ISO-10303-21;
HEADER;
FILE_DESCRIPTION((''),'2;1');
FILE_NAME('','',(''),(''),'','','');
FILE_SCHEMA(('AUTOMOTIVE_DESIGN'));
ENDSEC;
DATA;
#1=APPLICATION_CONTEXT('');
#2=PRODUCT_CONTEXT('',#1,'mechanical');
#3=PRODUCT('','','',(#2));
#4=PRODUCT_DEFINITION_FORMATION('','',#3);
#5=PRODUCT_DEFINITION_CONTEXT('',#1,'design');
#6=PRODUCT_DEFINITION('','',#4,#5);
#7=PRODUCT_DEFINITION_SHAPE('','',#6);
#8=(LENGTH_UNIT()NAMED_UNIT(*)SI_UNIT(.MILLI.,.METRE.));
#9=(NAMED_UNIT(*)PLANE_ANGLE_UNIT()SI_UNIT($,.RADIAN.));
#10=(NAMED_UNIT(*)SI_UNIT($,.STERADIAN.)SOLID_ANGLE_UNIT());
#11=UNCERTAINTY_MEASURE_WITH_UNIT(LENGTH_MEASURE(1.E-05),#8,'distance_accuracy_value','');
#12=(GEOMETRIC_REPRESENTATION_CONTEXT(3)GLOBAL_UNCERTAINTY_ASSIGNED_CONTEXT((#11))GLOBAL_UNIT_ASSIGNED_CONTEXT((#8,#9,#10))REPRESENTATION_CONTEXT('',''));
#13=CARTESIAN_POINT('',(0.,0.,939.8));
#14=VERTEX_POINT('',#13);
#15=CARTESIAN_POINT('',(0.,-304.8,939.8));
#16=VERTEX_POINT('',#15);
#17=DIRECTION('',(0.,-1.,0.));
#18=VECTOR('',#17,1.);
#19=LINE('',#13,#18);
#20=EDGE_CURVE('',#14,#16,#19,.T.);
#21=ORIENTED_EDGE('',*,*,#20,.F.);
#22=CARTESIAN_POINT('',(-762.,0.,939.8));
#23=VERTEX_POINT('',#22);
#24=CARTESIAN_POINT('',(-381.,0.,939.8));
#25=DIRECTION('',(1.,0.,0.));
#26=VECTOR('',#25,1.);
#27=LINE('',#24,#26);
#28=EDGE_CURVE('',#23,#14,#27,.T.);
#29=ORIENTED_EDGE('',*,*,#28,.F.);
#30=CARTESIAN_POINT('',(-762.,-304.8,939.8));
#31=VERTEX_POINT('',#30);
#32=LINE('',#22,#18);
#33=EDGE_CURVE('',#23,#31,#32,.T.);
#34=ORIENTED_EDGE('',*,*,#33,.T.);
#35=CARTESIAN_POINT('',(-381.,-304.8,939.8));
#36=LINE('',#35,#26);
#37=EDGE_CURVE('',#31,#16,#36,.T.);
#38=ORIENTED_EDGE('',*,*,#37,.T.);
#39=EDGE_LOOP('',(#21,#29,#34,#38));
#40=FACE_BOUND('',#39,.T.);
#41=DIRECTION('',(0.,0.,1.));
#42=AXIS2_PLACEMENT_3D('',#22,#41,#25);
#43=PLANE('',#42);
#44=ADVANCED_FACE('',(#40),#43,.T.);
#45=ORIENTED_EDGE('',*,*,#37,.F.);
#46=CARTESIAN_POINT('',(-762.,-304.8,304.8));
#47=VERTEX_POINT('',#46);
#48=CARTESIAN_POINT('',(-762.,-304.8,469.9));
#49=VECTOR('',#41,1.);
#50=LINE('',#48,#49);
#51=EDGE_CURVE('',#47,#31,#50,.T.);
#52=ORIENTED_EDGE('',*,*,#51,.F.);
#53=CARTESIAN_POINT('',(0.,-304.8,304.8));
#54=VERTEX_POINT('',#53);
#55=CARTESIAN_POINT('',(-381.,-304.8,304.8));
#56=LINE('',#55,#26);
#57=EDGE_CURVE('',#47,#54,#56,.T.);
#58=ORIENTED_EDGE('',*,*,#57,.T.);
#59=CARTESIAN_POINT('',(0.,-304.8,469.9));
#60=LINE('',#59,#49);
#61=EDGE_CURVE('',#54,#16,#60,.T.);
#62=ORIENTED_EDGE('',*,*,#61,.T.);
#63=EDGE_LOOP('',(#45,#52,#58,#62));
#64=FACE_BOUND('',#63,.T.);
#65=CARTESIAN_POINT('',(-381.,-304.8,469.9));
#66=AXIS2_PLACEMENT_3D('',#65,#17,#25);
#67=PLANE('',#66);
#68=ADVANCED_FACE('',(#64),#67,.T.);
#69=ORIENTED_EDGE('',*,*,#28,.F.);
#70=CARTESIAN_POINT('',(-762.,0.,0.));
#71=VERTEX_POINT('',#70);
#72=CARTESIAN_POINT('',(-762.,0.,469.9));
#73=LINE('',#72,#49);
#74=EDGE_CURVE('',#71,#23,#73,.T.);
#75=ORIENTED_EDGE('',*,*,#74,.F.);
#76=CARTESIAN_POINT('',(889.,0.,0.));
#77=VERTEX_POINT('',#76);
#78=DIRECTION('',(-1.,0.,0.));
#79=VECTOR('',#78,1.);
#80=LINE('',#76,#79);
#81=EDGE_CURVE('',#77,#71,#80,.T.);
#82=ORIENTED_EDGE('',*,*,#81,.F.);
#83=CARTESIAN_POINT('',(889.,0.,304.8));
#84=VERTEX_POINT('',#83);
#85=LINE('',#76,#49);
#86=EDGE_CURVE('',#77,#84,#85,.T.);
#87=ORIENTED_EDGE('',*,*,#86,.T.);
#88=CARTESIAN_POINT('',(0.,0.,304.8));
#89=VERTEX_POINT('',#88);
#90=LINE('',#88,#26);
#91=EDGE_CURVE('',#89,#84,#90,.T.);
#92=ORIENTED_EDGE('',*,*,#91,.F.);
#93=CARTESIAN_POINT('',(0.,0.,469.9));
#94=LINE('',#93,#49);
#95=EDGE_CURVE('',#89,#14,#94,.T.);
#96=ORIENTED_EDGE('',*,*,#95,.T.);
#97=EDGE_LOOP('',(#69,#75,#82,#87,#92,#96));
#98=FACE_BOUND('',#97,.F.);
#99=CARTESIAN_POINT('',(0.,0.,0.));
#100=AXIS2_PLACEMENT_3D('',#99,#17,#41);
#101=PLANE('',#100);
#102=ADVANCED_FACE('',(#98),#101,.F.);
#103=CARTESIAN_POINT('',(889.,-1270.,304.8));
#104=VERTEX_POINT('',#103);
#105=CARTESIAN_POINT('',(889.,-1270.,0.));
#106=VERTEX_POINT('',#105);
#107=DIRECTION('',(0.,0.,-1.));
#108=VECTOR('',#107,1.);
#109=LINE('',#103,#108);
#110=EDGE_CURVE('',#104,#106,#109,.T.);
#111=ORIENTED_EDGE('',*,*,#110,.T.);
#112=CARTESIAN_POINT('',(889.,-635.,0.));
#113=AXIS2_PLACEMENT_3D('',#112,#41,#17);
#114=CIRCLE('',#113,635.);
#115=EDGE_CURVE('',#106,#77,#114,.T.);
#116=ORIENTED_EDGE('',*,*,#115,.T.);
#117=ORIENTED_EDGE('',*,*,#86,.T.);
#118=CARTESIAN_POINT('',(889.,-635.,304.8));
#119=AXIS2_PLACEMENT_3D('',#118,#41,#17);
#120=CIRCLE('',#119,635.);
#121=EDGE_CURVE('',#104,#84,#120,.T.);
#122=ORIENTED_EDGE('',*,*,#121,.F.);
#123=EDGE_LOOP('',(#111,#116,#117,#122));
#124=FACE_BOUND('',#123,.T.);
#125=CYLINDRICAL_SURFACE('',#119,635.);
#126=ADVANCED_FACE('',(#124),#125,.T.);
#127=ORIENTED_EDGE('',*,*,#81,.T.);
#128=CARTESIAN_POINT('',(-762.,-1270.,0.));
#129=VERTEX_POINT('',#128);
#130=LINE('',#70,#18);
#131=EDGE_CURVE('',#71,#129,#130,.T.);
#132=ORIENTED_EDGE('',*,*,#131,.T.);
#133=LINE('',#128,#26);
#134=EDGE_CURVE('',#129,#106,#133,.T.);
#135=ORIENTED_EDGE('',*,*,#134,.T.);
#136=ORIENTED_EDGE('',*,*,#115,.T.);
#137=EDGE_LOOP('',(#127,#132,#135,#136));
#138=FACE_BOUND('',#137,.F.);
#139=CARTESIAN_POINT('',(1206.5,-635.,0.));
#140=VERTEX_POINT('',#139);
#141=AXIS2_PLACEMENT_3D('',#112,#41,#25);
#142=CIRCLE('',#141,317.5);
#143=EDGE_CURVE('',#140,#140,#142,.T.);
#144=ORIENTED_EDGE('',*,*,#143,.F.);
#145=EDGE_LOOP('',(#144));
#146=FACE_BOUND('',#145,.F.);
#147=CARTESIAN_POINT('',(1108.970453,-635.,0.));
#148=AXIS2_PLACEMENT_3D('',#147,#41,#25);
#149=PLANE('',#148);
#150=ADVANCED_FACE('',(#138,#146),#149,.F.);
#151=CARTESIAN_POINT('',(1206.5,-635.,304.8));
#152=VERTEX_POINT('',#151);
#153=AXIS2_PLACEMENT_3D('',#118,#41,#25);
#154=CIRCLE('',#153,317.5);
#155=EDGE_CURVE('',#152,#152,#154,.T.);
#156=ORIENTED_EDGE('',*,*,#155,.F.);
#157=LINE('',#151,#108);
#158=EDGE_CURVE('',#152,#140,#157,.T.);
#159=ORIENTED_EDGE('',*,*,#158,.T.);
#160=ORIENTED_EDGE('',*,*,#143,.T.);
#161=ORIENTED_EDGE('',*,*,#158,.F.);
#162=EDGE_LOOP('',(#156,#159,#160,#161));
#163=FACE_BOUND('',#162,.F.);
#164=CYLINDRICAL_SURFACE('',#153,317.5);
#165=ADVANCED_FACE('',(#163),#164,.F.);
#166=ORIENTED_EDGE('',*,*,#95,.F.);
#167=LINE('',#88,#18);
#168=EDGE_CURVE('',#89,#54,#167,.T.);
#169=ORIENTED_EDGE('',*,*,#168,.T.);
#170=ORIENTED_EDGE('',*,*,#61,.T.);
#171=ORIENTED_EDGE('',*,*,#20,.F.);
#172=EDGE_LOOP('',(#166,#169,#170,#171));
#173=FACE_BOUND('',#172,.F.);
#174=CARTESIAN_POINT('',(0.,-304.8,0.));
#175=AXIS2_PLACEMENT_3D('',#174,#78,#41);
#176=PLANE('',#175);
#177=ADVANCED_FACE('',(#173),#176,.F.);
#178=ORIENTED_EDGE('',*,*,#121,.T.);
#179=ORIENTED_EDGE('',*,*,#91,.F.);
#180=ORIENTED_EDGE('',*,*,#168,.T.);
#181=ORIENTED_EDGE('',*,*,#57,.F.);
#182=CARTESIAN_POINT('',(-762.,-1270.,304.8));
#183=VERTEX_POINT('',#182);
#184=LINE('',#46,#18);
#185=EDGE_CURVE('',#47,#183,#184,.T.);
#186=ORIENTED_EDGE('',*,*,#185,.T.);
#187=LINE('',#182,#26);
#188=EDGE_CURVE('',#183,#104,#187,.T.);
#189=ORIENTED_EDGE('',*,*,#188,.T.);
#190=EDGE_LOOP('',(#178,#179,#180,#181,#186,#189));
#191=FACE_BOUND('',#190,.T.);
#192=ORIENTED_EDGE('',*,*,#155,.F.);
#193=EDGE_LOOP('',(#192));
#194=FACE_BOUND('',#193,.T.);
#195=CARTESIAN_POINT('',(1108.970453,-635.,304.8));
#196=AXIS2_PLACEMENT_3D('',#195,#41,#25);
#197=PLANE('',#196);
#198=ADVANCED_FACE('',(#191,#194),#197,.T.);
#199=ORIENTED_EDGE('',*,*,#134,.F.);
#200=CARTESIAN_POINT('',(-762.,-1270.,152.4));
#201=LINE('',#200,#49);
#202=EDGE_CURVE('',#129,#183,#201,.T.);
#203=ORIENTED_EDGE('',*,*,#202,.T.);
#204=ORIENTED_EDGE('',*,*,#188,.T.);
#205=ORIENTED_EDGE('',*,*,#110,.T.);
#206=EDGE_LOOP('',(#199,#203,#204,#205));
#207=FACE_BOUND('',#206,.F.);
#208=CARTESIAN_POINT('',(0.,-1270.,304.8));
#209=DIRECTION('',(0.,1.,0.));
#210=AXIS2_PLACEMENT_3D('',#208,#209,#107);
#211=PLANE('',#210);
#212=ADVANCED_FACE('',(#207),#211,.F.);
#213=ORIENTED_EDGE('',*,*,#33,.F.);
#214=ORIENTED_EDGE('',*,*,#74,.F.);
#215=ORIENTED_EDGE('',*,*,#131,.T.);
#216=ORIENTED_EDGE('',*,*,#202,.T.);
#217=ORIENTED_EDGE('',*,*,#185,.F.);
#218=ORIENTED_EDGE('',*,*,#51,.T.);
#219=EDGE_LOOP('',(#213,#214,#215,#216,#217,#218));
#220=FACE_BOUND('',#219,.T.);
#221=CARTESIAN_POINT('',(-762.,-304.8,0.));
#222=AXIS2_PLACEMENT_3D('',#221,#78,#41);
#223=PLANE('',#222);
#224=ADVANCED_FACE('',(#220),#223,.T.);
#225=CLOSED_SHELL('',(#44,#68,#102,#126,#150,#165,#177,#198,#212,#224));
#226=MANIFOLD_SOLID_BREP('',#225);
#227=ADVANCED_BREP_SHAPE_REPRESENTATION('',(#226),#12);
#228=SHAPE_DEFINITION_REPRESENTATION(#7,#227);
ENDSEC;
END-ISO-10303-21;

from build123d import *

# Parameters (mm, degrees)
F0_W     = 762
F0_H     = 939.8
F1_DEPTH = 304.8
F2_W     = 762
F2_H     = 304.8
F3_DEPTH = 965.2
F5_DEPTH = 889
F7_DEPTH = 304.8
F8_R     = 317.5
F9_DEPTH = 15240


with BuildPart() as f1:
    # F0 (on Front) → F1 (new body)
    with BuildSketch(Plane.XZ):
        with Locations((-381, 469.9)):
            Rectangle(F0_W, F0_H)
    extrude(amount=F1_DEPTH)

    # F2 (on face) → F3 (join)
    with BuildSketch(Plane.XZ.offset(304.8)):
        with Locations((-381, 152.4)):
            Rectangle(F2_W, F2_H)
    extrude(amount=F3_DEPTH)

    # F4 (on face) → F5 (join)
    with BuildSketch(Plane.YZ):
        Polygon((0, 304.8), (-304.8, 304.8), (-1270, 304.8), (-1270, 0), (0, 0), align=None)
    extrude(amount=F5_DEPTH)

    # F6 (on face) → F7 (join)
    with BuildSketch(Plane.XY.offset(304.8)):
        with BuildLine():
            ThreePointArc((889, -1270), (1338.0128060535, -1084.0128060535), (1524, -635))
            ThreePointArc((1524, -635), (1338.0128060535, -185.9871939465), (889, 0))
            Line((889, 0), (889, -1270))
        make_face()
    extrude(amount=-F7_DEPTH)

    # F8 (on face) → F9 (cut)
    with BuildSketch(Plane.XY.offset(304.8)):
        with Locations((889, -635)):
            Circle(F8_R)
    extrude(amount=-F9_DEPTH, mode=Mode.SUBTRACT)


solid = f1.part
